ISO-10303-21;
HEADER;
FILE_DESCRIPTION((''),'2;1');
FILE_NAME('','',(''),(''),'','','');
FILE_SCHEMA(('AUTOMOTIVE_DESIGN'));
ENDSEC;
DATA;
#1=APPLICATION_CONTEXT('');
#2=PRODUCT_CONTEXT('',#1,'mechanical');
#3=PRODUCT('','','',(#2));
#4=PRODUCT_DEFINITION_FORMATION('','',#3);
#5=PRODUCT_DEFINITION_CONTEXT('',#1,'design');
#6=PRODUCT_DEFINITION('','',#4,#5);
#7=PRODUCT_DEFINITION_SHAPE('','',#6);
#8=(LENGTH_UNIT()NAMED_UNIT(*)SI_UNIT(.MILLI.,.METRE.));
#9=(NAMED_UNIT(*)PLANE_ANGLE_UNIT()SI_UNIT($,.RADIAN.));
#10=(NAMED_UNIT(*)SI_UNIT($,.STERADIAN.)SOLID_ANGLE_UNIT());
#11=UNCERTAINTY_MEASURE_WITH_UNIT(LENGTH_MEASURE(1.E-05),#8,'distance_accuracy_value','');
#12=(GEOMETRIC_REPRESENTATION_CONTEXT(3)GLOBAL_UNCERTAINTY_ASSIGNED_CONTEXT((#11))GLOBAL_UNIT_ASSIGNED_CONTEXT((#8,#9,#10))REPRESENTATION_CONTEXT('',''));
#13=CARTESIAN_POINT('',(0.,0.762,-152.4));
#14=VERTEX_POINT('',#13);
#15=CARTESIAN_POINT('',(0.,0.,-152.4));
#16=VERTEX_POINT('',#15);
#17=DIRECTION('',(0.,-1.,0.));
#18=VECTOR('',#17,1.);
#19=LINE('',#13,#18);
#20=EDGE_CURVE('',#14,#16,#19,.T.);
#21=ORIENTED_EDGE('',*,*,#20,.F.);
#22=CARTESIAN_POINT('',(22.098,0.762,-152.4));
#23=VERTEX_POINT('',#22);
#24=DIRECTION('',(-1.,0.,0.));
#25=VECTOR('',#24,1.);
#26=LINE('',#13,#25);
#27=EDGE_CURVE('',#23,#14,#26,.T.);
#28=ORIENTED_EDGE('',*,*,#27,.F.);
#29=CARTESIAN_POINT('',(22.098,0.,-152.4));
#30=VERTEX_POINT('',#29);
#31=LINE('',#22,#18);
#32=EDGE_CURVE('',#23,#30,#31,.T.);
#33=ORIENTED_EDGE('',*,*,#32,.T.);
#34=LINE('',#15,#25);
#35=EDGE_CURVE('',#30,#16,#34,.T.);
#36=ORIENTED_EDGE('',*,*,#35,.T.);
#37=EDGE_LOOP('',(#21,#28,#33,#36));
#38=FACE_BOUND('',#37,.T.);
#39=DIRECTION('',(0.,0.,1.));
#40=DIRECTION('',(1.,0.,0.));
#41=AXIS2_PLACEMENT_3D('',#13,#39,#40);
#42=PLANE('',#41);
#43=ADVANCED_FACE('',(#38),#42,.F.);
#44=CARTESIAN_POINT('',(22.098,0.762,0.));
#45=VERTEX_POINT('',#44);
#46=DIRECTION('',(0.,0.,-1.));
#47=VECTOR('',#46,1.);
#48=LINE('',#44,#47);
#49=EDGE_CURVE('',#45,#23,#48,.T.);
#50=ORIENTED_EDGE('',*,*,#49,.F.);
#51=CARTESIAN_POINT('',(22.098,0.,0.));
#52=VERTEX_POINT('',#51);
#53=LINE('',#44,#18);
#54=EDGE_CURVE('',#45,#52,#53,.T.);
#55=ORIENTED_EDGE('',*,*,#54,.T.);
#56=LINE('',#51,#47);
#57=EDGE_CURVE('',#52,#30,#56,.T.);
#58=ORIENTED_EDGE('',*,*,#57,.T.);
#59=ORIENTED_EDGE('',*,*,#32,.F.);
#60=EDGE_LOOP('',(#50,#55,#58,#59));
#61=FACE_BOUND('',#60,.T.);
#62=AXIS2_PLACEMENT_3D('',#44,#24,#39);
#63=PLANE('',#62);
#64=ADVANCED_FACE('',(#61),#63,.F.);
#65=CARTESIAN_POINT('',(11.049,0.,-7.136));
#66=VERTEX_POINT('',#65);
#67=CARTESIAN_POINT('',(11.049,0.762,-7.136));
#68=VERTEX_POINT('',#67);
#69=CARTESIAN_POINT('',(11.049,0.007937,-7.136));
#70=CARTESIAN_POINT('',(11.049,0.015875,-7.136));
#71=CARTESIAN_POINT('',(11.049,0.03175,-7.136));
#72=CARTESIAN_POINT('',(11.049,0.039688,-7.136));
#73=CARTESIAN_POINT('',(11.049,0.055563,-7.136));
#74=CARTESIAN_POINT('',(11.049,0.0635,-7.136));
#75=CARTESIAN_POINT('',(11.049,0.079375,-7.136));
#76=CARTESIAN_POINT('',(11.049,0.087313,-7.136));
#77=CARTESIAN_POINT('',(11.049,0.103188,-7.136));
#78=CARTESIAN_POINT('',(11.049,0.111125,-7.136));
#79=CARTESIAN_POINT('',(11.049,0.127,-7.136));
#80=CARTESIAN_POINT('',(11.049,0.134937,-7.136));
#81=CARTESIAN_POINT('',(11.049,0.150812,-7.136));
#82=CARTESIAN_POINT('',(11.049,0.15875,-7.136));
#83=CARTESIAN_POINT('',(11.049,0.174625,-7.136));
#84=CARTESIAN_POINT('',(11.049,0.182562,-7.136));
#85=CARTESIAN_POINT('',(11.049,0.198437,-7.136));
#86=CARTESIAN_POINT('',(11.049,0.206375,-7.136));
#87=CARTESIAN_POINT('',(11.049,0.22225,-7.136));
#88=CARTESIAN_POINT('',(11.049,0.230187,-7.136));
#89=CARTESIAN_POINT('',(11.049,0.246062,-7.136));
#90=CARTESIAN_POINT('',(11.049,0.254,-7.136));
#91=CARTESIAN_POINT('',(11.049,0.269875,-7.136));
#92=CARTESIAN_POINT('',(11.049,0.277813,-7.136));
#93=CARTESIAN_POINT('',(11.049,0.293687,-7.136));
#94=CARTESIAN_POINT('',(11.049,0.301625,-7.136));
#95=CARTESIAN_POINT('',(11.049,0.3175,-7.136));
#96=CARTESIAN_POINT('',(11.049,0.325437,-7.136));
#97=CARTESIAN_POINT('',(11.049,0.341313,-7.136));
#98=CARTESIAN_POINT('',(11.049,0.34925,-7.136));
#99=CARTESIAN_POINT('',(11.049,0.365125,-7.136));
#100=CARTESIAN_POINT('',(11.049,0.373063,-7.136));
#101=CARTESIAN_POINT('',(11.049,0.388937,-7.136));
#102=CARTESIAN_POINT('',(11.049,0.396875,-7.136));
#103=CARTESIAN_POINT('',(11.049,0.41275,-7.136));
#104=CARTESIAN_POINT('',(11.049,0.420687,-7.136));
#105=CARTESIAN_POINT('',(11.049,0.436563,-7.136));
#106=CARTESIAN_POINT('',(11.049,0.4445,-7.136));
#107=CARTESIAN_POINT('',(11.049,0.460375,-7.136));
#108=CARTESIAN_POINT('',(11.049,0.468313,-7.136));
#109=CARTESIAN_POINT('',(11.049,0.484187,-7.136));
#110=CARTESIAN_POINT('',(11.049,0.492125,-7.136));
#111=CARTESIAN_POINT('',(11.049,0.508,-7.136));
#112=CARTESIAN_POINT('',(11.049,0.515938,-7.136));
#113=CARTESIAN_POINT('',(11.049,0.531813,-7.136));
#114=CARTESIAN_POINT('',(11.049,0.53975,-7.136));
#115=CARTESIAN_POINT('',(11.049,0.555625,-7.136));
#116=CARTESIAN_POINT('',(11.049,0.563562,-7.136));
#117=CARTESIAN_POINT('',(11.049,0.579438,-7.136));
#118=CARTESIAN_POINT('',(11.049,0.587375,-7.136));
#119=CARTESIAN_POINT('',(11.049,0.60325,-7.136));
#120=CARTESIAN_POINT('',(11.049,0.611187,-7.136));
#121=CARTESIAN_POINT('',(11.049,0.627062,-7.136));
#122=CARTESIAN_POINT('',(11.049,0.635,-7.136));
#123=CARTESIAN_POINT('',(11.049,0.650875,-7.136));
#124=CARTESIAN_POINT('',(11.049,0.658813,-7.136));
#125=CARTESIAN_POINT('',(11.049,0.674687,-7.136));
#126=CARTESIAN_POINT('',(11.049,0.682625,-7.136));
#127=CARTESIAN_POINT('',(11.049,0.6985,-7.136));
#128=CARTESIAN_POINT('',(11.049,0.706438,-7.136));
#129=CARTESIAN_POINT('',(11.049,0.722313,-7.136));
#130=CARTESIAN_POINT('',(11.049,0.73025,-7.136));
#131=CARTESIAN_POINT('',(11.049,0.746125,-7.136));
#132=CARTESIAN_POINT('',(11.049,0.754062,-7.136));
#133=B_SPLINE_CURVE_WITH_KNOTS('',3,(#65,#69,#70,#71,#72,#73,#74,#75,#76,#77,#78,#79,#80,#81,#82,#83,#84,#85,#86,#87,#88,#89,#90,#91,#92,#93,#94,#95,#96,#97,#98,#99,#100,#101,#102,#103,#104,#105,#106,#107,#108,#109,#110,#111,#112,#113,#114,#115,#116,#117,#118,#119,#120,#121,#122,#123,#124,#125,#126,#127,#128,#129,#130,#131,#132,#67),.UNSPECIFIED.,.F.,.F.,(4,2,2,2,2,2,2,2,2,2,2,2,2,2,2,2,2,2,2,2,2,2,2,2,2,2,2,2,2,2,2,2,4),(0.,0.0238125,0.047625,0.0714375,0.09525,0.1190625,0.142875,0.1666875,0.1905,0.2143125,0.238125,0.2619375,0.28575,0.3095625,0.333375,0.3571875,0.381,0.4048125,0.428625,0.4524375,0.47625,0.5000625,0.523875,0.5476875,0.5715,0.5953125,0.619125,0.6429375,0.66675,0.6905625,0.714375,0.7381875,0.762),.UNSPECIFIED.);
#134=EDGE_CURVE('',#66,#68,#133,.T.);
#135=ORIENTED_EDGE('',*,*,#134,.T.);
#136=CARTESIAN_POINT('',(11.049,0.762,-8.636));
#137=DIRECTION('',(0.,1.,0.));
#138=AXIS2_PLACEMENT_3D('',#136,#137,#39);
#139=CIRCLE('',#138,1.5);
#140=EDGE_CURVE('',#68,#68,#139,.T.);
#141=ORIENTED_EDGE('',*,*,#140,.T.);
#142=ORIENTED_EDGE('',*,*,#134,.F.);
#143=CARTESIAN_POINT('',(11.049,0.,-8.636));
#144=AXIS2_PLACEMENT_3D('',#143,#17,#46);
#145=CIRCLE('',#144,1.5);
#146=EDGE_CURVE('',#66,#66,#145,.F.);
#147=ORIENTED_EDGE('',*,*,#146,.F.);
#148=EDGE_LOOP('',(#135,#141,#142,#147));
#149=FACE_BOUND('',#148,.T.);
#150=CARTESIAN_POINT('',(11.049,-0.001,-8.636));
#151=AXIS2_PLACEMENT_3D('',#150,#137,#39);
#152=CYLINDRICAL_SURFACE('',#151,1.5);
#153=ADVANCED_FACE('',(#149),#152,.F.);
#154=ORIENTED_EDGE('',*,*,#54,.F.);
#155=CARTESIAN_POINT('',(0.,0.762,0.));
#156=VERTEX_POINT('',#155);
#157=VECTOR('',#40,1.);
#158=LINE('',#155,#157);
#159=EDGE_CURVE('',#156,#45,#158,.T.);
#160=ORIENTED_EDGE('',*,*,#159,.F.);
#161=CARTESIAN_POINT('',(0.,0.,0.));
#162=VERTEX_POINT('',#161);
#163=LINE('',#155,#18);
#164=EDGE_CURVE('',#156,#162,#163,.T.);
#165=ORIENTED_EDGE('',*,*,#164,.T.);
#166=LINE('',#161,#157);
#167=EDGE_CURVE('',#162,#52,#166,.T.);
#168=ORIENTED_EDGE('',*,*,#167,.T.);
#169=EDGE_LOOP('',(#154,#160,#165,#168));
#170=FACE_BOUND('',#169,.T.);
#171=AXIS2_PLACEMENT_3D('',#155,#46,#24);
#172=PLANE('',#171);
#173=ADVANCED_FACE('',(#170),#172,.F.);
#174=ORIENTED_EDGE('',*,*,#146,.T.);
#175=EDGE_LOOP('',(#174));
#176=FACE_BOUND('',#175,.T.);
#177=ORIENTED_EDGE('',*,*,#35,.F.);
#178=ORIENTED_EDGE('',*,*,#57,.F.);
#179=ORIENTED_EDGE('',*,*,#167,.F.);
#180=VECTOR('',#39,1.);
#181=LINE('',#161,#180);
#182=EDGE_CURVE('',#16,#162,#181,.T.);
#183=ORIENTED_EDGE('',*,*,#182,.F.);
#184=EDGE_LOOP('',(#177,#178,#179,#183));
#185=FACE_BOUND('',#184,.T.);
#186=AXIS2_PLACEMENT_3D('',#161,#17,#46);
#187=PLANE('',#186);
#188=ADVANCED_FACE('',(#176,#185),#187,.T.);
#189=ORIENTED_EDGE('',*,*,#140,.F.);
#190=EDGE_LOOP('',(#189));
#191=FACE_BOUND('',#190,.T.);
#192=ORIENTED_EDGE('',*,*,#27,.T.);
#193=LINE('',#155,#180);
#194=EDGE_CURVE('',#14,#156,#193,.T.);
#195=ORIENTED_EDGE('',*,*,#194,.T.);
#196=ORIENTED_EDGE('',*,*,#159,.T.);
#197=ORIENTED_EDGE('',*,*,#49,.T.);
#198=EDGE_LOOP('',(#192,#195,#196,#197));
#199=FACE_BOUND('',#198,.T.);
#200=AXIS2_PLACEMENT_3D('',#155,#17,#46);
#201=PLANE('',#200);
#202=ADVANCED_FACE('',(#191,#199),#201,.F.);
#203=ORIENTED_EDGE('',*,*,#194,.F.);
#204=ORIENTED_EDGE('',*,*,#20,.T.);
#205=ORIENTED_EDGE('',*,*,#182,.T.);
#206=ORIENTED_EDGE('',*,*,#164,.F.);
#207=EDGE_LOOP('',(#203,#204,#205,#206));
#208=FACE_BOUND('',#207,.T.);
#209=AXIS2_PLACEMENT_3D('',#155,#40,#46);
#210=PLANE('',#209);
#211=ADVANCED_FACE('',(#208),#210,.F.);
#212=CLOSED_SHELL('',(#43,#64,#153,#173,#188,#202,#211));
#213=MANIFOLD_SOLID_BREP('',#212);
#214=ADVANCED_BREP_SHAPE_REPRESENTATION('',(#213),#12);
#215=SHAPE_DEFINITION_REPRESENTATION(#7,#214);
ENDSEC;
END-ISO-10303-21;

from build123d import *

# Parameters (mm, degrees)
SKETCH1_W           = 22.098
SKETCH1_H           = 152.4
BOSS_EXTRUDE1_DEPTH = 0.762
CUT_EXTRUDE1_REACH  = 155.996
SKETCH2_R           = 1.5


with BuildPart() as part:
    # Sketch1 → Boss-Extrude1 (new body)
    with BuildSketch(Plane(origin=(0, 0, 0), x_dir=(1, 0, 0), z_dir=(0, 1, 0))):
        with Locations((11.049, 76.2)):
            Rectangle(SKETCH1_W, SKETCH1_H)
    extrude(amount=BOSS_EXTRUDE1_DEPTH)

    # Sketch2 → Cut-Extrude1 (cut, up to next)
    with BuildSketch(Plane(origin=(0, 0.762, 0), x_dir=(1, 0, 0), z_dir=(0, 1, 0)), mode=Mode.PRIVATE) as cut_extrude1_sk1:
        with Locations(Location((11.049, 8.636, 0), (0, 0, 270))):
            Circle(SKETCH2_R)
    cut_extrude1_tool1 = extrude(cut_extrude1_sk1.sketch, amount=-CUT_EXTRUDE1_REACH, mode=Mode.PRIVATE) & part.part
    add(cut_extrude1_tool1.solids().sort_by_distance((11.049, 0.762, -8.636))[0], mode=Mode.SUBTRACT)


solid = part.part
